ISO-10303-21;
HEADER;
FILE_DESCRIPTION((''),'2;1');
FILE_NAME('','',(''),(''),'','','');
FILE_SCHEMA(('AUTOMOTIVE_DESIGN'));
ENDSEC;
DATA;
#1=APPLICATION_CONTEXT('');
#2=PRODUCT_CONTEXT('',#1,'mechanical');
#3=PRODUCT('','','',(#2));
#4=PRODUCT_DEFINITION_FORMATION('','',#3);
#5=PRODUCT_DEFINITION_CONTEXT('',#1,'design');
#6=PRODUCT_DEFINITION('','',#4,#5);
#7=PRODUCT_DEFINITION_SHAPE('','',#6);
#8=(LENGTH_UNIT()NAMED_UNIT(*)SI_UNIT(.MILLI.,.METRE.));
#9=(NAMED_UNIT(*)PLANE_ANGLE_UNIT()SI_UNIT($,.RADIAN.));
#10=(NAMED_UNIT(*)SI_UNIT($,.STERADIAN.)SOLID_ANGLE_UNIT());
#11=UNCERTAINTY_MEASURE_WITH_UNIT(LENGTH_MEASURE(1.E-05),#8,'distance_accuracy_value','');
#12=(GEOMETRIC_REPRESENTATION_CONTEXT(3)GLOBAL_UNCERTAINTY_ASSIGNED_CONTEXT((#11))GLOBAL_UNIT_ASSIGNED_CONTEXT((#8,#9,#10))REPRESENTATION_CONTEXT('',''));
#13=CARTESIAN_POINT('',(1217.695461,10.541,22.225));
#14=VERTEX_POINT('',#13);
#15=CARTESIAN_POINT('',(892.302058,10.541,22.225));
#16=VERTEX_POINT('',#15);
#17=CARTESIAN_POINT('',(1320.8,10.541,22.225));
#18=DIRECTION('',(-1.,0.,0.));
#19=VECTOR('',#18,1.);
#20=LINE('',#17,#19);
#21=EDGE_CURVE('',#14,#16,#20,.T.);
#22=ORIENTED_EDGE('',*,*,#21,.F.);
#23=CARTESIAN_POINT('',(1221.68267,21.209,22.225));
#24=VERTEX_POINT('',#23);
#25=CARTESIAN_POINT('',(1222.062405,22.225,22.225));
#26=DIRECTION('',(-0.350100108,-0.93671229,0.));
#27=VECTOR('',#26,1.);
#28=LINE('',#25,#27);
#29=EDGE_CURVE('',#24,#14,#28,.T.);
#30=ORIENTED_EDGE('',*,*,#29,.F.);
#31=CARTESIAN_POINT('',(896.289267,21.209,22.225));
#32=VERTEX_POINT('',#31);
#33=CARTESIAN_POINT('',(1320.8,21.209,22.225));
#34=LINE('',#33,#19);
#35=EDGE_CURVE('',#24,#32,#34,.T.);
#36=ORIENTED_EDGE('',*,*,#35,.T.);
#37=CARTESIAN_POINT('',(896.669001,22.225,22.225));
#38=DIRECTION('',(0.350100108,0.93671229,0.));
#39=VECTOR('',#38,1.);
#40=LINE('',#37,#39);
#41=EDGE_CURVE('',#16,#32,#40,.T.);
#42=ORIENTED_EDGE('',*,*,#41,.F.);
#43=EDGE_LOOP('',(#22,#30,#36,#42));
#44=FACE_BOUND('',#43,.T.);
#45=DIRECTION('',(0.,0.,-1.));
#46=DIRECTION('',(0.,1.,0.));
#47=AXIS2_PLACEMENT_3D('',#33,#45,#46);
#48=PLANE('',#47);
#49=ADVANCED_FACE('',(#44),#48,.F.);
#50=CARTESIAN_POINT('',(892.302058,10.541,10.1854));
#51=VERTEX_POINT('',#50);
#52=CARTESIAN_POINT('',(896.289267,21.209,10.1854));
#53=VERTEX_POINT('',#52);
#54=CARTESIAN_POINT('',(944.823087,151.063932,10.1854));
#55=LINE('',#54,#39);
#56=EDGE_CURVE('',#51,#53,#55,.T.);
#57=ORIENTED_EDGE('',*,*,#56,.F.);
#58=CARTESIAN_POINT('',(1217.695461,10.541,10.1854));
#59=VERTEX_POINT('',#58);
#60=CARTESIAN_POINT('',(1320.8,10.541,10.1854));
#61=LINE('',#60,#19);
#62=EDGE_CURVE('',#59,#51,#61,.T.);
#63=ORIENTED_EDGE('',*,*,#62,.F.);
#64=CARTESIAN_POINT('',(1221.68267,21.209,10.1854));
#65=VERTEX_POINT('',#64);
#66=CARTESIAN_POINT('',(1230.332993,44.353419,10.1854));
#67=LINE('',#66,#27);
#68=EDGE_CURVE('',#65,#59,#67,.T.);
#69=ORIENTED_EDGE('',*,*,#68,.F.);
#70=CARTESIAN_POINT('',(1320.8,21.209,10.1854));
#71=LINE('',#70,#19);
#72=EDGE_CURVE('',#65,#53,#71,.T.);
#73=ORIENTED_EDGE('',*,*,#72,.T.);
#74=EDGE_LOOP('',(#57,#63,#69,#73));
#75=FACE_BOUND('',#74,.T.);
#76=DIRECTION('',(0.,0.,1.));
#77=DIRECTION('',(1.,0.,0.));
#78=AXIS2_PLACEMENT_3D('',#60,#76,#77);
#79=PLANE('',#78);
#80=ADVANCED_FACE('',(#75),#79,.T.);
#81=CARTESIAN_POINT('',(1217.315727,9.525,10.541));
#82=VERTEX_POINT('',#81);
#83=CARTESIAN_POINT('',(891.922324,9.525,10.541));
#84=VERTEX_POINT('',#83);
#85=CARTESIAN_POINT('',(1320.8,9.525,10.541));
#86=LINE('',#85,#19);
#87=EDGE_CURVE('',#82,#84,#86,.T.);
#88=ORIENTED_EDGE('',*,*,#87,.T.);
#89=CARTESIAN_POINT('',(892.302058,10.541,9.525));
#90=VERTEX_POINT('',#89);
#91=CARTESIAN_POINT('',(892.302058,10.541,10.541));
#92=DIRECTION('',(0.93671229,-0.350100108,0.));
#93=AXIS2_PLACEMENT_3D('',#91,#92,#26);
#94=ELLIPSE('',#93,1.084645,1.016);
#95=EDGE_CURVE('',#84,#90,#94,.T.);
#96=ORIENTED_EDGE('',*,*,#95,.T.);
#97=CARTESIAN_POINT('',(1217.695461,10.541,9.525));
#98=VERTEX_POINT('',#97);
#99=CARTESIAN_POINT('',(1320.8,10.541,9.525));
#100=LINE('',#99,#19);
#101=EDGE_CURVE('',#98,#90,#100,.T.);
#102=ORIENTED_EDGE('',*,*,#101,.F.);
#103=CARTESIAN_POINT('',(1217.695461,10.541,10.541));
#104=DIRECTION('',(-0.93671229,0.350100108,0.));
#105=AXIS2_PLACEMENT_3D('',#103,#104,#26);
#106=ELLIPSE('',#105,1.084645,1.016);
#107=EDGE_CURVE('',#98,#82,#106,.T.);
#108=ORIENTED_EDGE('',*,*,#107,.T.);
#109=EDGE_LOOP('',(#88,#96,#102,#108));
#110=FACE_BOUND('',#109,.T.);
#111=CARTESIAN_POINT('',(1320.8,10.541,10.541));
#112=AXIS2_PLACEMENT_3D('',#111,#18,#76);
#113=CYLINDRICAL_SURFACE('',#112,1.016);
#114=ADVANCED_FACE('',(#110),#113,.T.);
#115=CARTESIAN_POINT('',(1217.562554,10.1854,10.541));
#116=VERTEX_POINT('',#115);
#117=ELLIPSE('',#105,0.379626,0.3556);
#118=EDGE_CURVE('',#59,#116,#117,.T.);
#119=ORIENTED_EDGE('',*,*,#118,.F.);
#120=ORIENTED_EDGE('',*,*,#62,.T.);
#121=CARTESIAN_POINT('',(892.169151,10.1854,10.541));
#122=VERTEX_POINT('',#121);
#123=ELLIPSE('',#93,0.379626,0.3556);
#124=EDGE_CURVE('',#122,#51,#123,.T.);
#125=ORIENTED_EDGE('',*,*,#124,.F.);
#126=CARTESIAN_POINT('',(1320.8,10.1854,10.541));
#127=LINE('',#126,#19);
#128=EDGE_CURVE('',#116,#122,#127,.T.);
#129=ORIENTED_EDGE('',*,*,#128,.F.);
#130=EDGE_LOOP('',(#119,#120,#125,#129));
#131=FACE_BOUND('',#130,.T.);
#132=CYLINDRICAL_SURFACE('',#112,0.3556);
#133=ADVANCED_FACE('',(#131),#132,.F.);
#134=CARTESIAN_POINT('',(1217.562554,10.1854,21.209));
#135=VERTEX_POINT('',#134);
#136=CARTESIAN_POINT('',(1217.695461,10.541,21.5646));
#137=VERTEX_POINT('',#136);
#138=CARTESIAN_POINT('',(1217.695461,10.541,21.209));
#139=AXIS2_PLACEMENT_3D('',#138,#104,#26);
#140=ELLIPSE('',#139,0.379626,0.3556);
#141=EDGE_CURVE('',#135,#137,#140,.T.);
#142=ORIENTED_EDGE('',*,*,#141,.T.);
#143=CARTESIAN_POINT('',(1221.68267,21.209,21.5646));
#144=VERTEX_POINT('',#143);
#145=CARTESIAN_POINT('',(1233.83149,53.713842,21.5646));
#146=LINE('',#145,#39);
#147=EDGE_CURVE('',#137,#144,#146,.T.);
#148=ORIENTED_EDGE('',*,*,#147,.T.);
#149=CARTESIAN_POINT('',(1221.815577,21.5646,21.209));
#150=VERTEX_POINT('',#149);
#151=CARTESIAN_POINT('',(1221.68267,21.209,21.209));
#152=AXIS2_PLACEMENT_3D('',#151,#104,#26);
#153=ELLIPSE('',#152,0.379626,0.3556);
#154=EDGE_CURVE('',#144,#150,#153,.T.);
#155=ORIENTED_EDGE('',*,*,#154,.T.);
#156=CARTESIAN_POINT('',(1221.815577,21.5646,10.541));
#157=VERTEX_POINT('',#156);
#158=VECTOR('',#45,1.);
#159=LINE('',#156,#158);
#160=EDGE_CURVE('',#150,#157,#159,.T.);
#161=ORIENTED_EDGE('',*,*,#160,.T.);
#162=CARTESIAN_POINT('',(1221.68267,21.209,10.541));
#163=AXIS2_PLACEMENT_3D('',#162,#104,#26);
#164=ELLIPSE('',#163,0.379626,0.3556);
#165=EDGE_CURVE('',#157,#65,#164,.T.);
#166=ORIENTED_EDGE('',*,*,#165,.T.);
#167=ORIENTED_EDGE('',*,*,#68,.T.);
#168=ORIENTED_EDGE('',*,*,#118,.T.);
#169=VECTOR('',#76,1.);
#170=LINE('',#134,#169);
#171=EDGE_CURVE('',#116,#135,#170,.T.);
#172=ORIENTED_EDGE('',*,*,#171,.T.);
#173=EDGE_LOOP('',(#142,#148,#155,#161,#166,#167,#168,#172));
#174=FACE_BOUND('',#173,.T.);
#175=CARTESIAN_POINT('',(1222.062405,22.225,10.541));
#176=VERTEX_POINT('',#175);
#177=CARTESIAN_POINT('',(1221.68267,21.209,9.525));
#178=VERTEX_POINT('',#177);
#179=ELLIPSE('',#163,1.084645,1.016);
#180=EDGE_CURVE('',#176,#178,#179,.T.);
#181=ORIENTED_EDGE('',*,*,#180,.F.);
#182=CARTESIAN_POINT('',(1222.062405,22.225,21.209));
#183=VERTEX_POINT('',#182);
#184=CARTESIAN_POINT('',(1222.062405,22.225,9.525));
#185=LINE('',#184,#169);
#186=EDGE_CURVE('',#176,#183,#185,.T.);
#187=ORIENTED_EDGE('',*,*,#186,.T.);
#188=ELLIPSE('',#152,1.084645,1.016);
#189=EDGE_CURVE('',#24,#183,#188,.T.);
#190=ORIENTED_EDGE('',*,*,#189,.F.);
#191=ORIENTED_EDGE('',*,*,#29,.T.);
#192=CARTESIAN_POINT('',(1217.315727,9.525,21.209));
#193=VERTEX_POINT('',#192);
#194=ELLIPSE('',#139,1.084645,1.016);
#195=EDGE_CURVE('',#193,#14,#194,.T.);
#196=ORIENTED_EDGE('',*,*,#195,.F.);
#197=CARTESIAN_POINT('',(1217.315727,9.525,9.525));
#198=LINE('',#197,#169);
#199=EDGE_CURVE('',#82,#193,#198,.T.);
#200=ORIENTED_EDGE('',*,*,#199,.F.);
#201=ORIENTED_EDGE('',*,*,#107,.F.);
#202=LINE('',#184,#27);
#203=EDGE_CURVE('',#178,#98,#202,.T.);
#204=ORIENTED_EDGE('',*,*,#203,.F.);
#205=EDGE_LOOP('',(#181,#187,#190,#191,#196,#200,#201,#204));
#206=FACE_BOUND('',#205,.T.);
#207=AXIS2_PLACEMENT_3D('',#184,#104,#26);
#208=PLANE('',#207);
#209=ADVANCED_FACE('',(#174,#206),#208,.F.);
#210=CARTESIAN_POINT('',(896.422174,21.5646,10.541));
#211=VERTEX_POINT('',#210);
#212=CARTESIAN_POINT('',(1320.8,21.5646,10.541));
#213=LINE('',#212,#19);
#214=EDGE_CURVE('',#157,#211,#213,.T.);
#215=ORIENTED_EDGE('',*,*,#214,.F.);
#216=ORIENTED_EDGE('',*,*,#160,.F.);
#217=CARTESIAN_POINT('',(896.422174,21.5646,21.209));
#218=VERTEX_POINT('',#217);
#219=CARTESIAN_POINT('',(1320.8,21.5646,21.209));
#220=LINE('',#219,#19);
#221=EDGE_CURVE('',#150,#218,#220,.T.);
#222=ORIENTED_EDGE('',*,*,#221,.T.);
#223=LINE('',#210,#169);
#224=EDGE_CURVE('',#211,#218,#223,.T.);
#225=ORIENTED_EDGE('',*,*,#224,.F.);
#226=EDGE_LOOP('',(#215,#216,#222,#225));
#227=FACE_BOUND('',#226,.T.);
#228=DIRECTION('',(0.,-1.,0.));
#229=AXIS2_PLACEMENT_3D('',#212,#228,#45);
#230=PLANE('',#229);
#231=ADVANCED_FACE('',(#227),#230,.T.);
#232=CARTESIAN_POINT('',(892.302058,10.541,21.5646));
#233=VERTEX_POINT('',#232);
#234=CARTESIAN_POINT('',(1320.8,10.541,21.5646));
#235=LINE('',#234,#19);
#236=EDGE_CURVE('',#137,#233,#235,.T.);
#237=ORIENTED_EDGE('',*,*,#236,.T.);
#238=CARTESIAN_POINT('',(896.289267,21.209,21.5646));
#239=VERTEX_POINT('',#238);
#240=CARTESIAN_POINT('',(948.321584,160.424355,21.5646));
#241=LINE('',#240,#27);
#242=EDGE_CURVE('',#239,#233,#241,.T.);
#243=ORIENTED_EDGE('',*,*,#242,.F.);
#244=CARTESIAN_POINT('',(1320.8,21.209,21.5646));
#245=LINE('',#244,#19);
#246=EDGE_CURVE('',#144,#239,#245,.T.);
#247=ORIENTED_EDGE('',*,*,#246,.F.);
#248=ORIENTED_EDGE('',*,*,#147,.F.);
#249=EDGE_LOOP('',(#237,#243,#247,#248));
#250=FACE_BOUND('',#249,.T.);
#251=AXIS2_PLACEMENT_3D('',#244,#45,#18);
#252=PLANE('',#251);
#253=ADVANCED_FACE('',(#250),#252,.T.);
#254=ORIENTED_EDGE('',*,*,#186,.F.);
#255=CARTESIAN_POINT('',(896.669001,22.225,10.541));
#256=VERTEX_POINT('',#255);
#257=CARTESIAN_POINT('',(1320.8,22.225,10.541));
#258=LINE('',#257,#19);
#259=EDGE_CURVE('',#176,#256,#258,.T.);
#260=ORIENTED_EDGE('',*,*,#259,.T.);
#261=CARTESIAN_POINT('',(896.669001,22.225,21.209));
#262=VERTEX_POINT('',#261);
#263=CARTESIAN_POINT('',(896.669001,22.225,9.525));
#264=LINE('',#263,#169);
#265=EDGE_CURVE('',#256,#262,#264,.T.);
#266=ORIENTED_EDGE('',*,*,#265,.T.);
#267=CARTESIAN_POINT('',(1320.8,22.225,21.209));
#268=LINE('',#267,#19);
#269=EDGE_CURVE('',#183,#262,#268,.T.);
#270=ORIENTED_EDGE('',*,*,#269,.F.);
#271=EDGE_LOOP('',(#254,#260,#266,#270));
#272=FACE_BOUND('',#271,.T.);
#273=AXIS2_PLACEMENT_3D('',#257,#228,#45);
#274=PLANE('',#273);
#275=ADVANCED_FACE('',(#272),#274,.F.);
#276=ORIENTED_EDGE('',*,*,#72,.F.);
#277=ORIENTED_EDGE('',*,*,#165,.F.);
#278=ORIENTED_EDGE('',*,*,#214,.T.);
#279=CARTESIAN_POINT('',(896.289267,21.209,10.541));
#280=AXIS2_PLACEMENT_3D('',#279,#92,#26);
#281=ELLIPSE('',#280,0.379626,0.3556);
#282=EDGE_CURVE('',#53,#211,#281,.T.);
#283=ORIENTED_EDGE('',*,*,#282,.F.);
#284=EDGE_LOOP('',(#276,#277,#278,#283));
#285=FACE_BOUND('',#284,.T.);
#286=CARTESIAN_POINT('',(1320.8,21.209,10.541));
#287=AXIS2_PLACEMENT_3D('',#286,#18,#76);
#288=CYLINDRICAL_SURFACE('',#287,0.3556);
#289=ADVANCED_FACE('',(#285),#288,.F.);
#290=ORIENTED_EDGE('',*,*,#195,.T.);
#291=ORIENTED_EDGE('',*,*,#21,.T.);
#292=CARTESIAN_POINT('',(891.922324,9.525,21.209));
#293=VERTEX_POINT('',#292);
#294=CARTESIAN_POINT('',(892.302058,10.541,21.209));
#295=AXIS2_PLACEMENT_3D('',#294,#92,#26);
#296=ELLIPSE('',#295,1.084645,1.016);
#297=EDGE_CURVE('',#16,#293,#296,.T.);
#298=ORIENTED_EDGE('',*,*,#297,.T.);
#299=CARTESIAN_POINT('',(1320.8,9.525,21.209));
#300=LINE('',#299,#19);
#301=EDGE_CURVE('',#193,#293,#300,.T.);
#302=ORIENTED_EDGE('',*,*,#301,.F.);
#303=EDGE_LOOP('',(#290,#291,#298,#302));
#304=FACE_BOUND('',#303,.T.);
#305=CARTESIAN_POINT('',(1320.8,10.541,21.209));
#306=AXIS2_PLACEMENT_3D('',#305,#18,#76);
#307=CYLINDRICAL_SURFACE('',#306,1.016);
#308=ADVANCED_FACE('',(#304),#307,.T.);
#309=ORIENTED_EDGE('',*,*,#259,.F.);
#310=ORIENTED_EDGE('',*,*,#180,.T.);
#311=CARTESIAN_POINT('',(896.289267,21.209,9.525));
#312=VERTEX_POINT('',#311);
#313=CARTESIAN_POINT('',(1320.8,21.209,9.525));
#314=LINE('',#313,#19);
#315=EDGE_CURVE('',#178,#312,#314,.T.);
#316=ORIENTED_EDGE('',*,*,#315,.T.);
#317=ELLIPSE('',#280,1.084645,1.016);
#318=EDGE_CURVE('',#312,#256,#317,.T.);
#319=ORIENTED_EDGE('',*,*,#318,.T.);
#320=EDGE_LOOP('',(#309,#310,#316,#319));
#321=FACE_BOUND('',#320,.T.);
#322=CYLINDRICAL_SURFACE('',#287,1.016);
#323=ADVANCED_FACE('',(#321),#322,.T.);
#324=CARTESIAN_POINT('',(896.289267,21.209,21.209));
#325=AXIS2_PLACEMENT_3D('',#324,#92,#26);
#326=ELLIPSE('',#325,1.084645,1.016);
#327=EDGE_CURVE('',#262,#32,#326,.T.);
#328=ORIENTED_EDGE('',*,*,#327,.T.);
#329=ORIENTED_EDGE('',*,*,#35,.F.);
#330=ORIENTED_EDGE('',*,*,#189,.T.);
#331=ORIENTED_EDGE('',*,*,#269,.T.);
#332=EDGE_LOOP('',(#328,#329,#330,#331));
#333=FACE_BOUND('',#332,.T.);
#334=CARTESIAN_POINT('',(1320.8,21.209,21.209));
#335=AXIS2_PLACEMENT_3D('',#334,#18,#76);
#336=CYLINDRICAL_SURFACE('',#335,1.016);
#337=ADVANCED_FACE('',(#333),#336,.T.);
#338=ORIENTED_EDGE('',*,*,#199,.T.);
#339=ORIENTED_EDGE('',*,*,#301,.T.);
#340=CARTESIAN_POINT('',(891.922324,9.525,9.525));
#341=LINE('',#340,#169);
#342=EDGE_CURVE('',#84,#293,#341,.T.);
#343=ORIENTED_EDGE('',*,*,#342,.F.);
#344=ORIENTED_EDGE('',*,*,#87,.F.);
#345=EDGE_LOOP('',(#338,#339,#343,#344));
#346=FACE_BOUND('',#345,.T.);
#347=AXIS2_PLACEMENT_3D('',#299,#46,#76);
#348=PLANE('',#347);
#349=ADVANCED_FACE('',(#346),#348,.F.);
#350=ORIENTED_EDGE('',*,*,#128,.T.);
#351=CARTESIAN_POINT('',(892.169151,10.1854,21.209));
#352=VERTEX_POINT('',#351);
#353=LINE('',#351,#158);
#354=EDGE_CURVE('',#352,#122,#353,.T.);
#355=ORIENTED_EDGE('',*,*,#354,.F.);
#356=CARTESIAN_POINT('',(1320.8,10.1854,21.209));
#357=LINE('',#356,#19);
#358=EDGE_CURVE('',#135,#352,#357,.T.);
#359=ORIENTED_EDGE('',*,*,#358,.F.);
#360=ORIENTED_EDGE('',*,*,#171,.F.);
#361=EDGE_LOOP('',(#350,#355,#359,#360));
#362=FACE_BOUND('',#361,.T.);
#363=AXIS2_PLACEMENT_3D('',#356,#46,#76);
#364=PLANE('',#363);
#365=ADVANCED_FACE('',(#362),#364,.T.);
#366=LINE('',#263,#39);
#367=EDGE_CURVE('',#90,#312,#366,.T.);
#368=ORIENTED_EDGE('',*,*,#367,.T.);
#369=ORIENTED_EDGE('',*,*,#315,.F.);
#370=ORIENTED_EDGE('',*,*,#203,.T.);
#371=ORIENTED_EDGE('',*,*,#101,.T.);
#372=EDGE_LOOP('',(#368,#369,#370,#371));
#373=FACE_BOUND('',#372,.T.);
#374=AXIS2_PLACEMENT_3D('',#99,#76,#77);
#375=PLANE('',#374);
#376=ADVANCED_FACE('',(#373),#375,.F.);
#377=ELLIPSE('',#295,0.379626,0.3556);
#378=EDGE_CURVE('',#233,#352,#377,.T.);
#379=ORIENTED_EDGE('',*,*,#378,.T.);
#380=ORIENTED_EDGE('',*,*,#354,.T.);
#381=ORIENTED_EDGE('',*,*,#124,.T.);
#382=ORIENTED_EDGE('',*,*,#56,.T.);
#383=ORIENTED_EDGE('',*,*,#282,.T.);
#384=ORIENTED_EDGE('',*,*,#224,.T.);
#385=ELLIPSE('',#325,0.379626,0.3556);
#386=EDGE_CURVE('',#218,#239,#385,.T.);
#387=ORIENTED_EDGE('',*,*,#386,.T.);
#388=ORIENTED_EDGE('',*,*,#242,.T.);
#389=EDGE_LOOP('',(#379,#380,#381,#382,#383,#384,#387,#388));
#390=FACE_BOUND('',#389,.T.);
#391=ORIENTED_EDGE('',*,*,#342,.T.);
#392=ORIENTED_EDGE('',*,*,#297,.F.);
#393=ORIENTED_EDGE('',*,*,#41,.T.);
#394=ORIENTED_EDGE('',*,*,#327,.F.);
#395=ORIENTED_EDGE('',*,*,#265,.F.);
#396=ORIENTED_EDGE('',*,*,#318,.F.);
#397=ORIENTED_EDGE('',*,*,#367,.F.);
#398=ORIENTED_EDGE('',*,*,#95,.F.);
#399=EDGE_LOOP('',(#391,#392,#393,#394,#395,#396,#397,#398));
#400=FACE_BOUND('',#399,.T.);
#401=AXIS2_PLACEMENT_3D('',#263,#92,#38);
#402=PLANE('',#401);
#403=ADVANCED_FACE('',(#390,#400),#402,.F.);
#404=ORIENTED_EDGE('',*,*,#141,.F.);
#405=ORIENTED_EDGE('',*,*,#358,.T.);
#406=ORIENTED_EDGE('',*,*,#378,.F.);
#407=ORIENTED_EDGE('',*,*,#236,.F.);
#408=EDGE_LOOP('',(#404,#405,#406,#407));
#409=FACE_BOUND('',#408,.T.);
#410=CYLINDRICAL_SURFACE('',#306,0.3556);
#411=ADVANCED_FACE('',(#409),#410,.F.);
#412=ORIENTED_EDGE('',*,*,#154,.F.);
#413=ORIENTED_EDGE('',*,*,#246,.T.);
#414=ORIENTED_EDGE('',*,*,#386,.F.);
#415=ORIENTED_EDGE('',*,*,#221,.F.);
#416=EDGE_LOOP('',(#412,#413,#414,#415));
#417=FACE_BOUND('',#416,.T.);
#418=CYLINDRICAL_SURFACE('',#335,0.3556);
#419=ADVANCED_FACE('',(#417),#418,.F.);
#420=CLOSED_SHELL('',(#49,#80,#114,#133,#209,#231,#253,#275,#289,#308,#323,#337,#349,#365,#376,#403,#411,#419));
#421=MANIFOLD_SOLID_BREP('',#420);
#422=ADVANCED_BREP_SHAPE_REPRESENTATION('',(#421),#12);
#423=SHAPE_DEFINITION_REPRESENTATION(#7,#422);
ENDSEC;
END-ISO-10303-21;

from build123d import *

# Parameters (mm, degrees)
BOSS_EXTRUDE1_DEPTH = 1320.8
SCALE2_SCALE_X      = 1
SCALE2_SCALE_Y      = 0.4
SCALE2_SCALE_Z      = 0.4
CUT_EXTRUDE1_DEPTH  = 1322.04802369
CUT_EXTRUDE2_DEPTH  = 1322.04802369


with BuildPart() as part:
    # Sketch1 → Boss-Extrude1 (new body)
    with BuildSketch(Plane(origin=(0, 0, 0), x_dir=(0, 0, -1), z_dir=(1, 0, 0))):
        with BuildLine():
            Line((0, 2.54), (0, 29.21))
            ThreePointArc((0, 29.21), (-0.743948776, 31.006051224), (-2.54, 31.75))
            Line((-2.54, 31.75), (-29.21, 31.75))
            ThreePointArc((-29.21, 31.75), (-31.006051224, 31.006051224), (-31.75, 29.21))
            Line((-31.75, 29.21), (-31.75, 2.54))
            ThreePointArc((-31.75, 2.54), (-31.006051224, 0.743948776), (-29.21, 0))
            Line((-29.21, 0), (-2.54, 0))
            ThreePointArc((-2.54, 0), (-0.743948776, 0.743948776), (0, 2.54))
        make_face()
        with BuildLine():
            Line((-1.651, 2.54), (-1.651, 29.21))
            ThreePointArc((-1.651, 29.21), (-1.911382072, 29.838617928), (-2.54, 30.099))
            Line((-2.54, 30.099), (-29.21, 30.099))
            ThreePointArc((-29.21, 30.099), (-29.838617928, 29.838617928), (-30.099, 29.21))
            Line((-30.099, 29.21), (-30.099, 2.54))
            ThreePointArc((-30.099, 2.54), (-29.838617928, 1.911382072), (-29.21, 1.651))
            Line((-29.21, 1.651), (-2.54, 1.651))
            ThreePointArc((-2.54, 1.651), (-1.911382072, 1.911382072), (-1.651, 2.54))
        make_face(mode=Mode.SUBTRACT)
    extrude(amount=BOSS_EXTRUDE1_DEPTH)


with BuildPart() as part_1:
    # Scale2: scaled about (660.4, 15.875, 15.875)
    add(part.part.scale((SCALE2_SCALE_X, SCALE2_SCALE_Y, SCALE2_SCALE_Z), about=(660.4, 15.875, 15.875)))

    # Sketch3 → Cut-Extrude1 (cut, through all)
    with BuildSketch(Plane.XY.offset(22.225)):
        Polygon((896.669001333, 22.225), (891.922323592, 9.525), (863.555279379, 9.525), (863.555279379, 22.225), align=None)
    extrude(amount=-CUT_EXTRUDE1_DEPTH, mode=Mode.SUBTRACT)


with BuildPart() as cut_extrude1_kept_piece:
    # of the separate pieces the step leaves, the one the design keeps (cut_extrude1_pieces_kept)
    add(part_1.part.solids().sort_by_distance((896.289267114, 21.209, 9.525))[0])

    # Sketch4 → Cut-Extrude2 (cut, through all)
    with BuildSketch(Plane.XY.offset(22.225)):
        Polygon((1217.31572696, 9.525), (1320.8, 9.525), (1320.8, 22.225), (1222.062404701, 22.225), align=None)
    extrude(amount=-CUT_EXTRUDE2_DEPTH, mode=Mode.SUBTRACT)


solid = cut_extrude1_kept_piece.part
